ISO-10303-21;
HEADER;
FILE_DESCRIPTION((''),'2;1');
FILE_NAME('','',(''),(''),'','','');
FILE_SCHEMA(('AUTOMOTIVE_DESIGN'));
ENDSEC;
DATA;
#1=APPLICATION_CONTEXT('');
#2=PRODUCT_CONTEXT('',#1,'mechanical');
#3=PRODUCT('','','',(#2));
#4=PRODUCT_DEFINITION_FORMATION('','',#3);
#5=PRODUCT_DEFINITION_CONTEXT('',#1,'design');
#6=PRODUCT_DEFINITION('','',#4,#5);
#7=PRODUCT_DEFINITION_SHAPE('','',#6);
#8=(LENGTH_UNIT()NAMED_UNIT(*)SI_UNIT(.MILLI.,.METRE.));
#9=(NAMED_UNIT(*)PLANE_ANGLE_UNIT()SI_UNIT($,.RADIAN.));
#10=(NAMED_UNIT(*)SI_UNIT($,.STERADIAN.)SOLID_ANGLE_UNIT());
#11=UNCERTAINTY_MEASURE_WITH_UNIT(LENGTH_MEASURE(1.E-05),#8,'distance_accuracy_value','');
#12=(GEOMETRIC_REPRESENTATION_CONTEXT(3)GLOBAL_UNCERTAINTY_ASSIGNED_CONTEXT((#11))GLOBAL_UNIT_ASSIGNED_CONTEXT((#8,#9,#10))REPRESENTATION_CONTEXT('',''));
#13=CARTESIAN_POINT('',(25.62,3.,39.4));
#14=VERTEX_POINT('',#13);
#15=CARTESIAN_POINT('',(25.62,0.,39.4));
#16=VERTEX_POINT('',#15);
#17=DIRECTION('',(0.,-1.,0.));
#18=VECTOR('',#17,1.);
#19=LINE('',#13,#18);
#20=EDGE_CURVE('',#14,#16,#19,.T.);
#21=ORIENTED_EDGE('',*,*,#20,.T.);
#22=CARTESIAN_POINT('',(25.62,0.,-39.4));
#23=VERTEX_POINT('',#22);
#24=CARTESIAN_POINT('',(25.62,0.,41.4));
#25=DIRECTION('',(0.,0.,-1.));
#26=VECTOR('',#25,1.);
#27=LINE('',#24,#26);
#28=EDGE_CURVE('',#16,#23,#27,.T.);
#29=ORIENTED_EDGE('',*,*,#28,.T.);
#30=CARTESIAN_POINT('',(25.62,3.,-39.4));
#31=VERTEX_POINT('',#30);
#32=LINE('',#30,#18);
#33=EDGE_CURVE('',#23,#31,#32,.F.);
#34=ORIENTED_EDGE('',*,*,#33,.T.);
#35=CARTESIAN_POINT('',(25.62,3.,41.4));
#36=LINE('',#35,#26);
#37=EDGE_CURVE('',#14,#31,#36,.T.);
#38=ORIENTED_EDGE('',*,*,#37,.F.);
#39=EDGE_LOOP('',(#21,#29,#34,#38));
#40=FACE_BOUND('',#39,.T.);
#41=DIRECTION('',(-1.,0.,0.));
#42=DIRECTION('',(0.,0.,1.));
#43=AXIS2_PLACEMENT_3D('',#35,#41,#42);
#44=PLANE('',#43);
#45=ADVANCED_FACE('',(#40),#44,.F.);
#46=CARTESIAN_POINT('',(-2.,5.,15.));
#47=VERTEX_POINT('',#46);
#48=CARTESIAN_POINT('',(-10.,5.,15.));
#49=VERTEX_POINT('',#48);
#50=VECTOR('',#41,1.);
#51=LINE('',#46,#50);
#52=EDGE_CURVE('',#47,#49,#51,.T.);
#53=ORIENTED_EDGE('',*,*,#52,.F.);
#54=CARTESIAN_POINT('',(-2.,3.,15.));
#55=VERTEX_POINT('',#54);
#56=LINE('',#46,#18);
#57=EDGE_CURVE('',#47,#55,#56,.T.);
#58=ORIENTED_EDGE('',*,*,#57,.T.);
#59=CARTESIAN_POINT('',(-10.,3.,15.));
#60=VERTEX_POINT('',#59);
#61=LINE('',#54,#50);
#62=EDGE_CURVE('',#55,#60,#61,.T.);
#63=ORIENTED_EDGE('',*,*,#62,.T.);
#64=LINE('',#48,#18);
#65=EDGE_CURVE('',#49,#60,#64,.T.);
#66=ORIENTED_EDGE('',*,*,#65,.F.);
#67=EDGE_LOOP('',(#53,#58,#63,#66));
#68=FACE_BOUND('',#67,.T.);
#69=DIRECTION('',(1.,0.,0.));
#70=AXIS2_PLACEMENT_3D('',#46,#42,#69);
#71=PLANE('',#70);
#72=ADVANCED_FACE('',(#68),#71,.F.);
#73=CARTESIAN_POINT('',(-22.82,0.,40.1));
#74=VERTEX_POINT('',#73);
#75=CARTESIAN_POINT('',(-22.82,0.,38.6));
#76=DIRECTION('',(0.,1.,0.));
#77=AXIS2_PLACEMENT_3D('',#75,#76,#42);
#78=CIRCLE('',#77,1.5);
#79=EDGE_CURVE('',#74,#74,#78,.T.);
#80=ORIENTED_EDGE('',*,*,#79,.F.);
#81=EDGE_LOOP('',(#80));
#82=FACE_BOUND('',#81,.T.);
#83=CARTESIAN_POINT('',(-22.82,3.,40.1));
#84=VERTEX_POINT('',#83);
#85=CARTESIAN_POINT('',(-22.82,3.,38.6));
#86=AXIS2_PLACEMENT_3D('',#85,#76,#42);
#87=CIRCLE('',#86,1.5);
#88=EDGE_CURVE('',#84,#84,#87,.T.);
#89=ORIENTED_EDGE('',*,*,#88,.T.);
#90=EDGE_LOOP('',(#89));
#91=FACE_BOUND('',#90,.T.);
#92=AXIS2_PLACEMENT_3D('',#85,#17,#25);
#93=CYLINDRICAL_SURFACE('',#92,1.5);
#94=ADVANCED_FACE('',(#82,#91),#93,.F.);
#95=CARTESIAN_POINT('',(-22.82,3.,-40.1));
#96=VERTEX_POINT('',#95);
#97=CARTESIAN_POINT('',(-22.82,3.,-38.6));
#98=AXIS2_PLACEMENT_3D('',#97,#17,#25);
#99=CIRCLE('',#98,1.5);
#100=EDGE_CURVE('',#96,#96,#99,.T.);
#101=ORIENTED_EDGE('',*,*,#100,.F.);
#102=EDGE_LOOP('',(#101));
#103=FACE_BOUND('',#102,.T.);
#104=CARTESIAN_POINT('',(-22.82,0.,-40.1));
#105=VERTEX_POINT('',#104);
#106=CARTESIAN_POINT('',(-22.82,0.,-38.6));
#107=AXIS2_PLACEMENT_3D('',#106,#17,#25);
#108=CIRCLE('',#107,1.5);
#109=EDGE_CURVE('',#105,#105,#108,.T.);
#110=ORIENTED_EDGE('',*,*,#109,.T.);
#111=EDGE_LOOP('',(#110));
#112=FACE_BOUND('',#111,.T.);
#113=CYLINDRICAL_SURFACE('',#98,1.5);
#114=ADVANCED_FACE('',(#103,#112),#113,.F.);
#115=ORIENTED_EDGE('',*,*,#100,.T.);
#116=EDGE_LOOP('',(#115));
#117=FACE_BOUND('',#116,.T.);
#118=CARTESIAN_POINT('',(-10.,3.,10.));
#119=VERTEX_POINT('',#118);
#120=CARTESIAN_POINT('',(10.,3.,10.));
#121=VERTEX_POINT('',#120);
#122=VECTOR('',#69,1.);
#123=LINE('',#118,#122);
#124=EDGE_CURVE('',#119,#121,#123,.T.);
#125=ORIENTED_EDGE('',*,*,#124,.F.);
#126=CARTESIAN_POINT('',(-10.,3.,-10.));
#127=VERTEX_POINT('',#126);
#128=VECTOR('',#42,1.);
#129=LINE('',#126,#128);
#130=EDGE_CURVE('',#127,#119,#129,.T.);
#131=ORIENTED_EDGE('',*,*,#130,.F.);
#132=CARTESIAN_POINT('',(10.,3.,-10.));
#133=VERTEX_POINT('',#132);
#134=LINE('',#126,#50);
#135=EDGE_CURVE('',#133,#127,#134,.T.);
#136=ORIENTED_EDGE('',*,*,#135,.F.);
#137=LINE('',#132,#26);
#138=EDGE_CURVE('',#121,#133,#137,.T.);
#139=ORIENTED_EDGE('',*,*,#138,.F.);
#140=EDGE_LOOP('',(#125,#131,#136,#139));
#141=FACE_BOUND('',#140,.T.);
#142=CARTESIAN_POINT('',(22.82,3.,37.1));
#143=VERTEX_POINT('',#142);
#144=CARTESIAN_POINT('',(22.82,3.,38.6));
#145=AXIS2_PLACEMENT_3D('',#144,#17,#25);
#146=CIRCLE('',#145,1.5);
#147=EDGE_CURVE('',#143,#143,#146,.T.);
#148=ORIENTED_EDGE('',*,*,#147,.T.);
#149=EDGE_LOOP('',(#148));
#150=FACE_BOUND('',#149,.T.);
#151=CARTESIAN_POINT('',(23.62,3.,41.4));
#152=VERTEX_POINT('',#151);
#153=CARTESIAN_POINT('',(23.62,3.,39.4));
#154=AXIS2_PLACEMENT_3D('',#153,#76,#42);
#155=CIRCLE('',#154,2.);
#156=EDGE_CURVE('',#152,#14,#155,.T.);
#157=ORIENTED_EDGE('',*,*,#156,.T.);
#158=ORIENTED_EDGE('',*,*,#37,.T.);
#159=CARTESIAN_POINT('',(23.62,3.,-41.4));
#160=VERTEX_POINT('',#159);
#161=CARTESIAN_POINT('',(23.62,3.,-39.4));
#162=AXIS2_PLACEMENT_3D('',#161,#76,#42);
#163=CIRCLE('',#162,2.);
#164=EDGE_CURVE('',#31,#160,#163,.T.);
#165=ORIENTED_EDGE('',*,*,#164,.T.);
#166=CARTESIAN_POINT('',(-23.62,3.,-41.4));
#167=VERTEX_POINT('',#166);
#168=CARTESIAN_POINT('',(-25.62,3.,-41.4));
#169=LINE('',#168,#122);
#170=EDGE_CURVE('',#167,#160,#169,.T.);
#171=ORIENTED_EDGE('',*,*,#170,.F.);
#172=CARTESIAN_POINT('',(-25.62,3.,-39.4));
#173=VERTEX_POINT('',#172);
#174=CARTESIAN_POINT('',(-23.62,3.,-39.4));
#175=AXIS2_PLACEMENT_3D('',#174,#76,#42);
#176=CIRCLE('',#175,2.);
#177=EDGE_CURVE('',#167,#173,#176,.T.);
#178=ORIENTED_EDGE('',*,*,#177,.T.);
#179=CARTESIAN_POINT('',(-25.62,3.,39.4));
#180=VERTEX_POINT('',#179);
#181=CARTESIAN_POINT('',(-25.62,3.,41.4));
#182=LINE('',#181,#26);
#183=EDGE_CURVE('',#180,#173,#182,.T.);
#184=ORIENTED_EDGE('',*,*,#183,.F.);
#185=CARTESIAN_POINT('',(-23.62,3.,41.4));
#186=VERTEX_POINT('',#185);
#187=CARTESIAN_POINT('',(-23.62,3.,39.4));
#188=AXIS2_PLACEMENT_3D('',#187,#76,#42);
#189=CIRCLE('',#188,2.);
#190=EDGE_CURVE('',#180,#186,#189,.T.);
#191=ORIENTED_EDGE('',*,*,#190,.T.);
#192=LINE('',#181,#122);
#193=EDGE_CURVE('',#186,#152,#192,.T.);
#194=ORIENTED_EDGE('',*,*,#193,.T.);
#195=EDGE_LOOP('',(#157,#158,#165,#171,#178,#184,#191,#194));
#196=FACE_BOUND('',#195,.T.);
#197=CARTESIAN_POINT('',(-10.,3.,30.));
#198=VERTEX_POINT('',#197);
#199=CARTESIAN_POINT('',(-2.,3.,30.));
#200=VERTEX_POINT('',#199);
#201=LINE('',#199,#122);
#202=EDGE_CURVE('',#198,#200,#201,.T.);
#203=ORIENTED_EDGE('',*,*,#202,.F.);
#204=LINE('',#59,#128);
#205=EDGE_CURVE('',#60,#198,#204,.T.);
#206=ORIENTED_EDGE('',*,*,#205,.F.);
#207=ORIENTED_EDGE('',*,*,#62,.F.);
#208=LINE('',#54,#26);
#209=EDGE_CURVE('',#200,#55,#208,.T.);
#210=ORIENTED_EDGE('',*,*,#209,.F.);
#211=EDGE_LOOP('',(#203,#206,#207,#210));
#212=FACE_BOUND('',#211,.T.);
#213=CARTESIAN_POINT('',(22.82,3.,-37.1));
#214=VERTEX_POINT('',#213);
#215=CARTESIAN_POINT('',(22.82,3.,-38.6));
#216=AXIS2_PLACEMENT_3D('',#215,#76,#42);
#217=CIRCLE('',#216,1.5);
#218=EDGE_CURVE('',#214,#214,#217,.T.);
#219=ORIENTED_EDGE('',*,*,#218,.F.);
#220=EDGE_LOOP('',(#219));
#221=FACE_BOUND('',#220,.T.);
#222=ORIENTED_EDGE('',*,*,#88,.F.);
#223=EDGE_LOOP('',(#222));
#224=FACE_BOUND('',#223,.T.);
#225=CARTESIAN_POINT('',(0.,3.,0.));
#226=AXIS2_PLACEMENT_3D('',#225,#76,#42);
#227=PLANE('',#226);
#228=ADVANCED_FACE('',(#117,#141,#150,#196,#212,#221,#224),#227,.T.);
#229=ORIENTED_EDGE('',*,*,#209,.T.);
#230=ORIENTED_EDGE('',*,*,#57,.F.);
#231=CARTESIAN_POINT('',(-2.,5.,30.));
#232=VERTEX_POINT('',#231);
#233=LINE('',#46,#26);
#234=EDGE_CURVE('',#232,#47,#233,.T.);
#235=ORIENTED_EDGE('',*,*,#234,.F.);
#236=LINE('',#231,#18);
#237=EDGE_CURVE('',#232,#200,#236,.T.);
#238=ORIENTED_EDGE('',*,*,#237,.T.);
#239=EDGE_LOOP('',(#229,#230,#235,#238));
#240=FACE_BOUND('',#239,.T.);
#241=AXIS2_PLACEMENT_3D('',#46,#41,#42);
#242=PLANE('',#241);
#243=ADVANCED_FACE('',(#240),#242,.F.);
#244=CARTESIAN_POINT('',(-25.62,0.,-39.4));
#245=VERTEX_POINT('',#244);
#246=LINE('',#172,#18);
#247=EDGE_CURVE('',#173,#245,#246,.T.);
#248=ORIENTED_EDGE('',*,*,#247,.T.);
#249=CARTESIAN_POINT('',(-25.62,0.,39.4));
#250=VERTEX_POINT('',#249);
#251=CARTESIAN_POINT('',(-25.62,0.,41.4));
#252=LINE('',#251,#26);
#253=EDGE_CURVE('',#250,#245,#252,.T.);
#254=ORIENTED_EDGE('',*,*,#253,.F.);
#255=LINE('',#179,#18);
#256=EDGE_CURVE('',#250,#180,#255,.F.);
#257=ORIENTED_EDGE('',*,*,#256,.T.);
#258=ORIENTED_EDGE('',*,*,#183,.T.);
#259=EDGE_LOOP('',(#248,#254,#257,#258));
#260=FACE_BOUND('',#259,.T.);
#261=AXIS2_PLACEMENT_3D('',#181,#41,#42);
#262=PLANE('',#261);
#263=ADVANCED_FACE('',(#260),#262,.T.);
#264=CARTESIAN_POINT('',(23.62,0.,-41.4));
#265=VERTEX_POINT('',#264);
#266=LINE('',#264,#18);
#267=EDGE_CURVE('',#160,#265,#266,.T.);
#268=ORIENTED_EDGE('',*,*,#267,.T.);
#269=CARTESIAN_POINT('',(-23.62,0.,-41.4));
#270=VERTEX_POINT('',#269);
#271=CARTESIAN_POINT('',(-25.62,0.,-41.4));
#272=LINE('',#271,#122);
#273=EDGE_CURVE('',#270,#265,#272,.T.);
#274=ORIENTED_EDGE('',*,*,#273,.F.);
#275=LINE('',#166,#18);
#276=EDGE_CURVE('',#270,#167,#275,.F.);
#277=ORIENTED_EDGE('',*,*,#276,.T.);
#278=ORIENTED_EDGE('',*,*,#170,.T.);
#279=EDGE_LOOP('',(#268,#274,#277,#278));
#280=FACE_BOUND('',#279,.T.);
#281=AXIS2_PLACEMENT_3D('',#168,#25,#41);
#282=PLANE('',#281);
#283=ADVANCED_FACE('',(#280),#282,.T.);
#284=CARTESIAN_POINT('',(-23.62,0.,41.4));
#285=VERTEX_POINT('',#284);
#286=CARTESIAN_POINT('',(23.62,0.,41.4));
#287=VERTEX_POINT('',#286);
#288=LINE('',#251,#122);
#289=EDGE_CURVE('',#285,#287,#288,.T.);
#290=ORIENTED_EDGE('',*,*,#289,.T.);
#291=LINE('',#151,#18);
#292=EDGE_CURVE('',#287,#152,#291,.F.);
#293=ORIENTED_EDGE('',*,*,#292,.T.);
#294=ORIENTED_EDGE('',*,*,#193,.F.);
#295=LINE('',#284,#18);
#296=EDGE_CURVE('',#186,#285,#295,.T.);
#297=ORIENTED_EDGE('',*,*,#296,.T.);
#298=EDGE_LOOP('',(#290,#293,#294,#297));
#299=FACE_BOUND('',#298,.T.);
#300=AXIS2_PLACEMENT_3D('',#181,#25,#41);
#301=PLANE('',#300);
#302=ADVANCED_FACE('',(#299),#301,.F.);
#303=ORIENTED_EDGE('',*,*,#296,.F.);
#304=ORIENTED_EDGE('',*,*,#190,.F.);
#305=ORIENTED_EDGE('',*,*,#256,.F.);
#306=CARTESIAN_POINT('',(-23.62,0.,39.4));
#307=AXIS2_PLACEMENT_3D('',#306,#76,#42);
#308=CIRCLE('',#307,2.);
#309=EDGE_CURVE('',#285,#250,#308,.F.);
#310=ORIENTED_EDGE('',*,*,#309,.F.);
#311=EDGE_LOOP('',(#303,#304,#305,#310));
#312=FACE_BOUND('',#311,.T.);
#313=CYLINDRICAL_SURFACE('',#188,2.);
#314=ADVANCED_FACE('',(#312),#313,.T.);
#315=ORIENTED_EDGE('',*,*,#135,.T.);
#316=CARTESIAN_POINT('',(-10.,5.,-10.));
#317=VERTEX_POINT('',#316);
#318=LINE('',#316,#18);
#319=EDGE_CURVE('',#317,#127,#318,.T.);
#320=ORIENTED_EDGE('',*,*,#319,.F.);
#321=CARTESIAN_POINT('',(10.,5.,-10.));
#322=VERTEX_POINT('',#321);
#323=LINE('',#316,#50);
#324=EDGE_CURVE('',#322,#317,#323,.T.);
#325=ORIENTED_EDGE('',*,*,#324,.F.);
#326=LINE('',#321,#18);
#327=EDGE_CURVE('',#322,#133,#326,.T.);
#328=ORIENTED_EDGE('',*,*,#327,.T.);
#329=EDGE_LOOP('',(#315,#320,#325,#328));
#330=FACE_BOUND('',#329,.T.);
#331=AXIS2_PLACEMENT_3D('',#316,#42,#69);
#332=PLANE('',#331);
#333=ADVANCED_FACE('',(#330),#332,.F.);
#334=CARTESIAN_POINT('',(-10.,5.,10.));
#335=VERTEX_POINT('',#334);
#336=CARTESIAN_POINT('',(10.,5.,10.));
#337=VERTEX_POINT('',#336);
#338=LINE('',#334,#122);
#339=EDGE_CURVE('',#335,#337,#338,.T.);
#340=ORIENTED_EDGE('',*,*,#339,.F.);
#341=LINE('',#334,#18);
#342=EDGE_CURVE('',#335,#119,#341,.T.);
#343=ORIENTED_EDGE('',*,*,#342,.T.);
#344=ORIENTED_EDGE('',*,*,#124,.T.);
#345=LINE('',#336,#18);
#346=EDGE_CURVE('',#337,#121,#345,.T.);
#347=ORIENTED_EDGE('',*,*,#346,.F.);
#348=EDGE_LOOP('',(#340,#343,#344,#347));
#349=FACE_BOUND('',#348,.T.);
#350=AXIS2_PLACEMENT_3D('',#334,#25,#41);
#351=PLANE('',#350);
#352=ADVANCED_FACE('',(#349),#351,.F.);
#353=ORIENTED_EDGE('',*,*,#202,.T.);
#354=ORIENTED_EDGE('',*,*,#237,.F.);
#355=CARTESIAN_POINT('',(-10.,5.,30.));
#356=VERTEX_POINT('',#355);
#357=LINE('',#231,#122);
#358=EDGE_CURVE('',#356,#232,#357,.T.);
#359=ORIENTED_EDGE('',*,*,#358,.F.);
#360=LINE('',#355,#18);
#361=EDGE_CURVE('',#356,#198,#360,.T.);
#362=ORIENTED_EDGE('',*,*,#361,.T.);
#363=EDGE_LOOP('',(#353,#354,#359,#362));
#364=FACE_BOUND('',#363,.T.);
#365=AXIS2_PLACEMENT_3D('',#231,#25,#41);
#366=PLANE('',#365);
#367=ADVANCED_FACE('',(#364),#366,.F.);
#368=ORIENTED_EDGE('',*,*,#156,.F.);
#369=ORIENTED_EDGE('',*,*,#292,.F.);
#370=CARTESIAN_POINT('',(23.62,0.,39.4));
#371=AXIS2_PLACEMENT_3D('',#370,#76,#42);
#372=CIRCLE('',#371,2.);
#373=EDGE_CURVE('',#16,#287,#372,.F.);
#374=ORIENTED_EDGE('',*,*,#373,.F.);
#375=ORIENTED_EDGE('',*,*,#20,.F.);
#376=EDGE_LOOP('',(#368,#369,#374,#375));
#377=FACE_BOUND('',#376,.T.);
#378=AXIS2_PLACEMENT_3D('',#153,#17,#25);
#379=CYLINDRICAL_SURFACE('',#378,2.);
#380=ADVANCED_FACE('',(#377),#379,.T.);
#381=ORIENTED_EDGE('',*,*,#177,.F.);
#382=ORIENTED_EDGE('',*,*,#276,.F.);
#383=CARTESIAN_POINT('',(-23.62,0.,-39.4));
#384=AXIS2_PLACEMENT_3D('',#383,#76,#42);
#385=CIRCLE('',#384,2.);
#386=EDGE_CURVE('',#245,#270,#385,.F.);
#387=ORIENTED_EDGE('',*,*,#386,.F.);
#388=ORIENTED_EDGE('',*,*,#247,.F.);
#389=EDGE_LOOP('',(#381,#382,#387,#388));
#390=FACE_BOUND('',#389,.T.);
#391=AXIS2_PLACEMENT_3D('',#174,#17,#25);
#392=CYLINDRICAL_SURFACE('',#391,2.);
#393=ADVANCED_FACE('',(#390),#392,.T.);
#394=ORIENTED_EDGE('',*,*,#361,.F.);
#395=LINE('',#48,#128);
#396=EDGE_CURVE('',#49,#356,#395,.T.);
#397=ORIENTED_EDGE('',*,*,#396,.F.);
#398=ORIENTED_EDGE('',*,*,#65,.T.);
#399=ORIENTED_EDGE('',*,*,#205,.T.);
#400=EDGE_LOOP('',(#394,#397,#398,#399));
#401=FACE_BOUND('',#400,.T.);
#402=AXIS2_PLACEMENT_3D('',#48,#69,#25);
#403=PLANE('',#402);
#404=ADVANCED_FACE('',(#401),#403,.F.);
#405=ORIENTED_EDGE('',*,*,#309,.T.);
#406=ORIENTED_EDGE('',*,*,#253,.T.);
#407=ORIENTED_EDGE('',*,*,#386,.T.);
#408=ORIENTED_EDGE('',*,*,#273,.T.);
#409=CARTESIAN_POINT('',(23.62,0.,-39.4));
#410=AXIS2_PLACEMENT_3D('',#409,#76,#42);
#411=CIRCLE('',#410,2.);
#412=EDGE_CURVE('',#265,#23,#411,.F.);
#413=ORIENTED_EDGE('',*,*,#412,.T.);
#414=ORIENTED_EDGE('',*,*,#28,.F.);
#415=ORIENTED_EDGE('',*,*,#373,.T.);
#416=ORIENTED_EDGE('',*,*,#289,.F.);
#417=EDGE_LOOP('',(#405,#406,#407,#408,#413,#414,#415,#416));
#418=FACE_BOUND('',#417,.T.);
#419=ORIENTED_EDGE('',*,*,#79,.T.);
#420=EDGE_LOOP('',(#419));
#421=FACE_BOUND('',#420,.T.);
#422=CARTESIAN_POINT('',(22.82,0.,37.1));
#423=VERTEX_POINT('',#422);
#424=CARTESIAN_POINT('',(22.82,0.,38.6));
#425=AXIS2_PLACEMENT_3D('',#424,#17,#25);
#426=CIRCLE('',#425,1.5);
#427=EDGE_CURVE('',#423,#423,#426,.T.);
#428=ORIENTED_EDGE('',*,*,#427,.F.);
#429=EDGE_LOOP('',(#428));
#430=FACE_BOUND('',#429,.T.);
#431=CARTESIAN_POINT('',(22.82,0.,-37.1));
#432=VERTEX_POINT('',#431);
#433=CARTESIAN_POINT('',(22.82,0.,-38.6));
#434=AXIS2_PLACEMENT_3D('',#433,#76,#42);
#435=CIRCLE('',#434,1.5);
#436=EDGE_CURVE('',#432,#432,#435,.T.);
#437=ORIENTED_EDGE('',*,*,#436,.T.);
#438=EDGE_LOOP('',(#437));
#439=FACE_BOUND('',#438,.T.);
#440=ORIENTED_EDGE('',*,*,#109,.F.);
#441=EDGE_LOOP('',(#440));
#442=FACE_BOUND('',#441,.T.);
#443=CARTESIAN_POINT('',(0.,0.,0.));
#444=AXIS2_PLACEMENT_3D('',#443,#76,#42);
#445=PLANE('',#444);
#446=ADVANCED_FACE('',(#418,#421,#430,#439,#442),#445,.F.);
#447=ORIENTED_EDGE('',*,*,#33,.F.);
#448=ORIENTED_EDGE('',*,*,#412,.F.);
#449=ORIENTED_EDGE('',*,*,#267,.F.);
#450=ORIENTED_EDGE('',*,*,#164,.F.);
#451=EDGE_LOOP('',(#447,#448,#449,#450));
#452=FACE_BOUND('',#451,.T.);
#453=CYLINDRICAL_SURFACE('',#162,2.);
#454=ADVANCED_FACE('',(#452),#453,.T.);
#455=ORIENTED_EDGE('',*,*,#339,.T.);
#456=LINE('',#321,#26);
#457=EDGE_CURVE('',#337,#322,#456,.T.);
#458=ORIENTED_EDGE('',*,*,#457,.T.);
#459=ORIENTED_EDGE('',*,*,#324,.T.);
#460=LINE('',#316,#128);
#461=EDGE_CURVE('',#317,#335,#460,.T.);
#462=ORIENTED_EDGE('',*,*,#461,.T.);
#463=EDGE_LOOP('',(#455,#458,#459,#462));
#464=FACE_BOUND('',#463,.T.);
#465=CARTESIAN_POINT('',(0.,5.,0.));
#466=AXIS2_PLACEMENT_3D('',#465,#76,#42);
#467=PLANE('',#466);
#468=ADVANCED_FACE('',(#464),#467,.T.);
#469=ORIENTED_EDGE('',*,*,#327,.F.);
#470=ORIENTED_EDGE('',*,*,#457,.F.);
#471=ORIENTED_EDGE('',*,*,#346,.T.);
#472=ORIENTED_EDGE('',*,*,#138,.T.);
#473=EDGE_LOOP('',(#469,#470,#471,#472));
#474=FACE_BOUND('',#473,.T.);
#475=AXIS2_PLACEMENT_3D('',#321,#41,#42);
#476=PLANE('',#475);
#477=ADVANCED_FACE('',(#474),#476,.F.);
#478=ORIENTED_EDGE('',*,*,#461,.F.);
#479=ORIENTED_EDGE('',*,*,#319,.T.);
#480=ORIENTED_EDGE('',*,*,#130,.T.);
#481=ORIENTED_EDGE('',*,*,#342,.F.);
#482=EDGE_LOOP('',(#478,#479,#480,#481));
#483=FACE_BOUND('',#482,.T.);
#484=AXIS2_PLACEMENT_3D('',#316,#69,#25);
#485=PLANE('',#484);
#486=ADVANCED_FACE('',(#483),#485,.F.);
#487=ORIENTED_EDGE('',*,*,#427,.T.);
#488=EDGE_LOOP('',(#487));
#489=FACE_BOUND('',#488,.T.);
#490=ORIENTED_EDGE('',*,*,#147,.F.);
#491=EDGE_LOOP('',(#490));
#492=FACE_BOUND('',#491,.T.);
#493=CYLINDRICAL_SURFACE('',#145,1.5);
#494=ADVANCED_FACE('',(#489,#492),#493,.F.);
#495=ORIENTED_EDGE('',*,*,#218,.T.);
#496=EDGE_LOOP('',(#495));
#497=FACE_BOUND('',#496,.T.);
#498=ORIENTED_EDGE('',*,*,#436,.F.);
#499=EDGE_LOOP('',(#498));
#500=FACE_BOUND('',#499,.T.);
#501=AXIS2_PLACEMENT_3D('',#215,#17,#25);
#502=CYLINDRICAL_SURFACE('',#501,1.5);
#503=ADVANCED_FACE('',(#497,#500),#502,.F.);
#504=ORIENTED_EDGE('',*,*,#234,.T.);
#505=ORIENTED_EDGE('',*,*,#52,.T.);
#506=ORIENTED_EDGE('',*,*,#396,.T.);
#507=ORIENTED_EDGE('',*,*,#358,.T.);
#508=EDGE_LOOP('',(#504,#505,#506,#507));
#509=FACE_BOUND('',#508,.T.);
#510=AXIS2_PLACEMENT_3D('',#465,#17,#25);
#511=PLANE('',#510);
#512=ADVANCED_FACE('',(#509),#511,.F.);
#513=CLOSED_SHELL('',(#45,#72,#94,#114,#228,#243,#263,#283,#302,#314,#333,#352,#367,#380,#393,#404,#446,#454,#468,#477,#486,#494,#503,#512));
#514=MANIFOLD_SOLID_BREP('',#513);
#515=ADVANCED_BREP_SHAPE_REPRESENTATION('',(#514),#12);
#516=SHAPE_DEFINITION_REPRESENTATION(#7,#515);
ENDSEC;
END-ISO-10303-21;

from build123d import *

# Parameters (mm, degrees)
SKETCH_1_W      = 51.24
SKETCH_1_H      = 82.8
SKETCH_1_R      = 1.5
EXTRUDE_1_DEPTH = 3
SKETCH_2_W      = 20
SKETCH_2_H      = 20
SKETCH_2_W_2    = 8
SKETCH_2_H_2    = 15
EXTRUDE_2_DEPTH = 2
FILLET_1_R      = 2


with BuildPart() as part:
    # 草图1 → 凸台-拉伸1 (new body)
    with BuildSketch(Plane(origin=(0, 0, 0), x_dir=(1, 0, 0), z_dir=(0, 1, 0))):
        Rectangle(SKETCH_1_W, SKETCH_1_H)
        with Locations(Location((22.82, 38.6, 0), (0, 0, 270))):
            Circle(SKETCH_1_R, mode=Mode.SUBTRACT)
        with Locations(Location((-22.82, 38.6, 0), (0, 0, 90))):
            Circle(SKETCH_1_R, mode=Mode.SUBTRACT)
        with Locations(Location((-22.82, -38.6, 0), (0, 0, 270))):
            Circle(SKETCH_1_R, mode=Mode.SUBTRACT)
        with Locations(Location((22.82, -38.6, 0), (0, 0, 90))):
            Circle(SKETCH_1_R, mode=Mode.SUBTRACT)
    extrude(amount=EXTRUDE_1_DEPTH)

    # 草图2 → 凸台-拉伸2 (add)
    with BuildSketch(Plane(origin=(0, 3, 0), x_dir=(1, 0, 0), z_dir=(0, 1, 0))):
        Rectangle(SKETCH_2_W, SKETCH_2_H)
        with Locations((-6, -22.5)):
            Rectangle(SKETCH_2_W_2, SKETCH_2_H_2)
    extrude(amount=EXTRUDE_2_DEPTH)

    # 圆角1
    fillet_1_edges = [part.edges().sort_by_distance(p)[0] for p in [
        (-25.62, 1.5, 41.4),
        (-25.62, 1.5, -41.4),
        (25.62, 1.5, -41.4),
        (25.62, 1.5, 41.4),
    ]]
    fillet(fillet_1_edges, radius=FILLET_1_R)


solid = part.part
